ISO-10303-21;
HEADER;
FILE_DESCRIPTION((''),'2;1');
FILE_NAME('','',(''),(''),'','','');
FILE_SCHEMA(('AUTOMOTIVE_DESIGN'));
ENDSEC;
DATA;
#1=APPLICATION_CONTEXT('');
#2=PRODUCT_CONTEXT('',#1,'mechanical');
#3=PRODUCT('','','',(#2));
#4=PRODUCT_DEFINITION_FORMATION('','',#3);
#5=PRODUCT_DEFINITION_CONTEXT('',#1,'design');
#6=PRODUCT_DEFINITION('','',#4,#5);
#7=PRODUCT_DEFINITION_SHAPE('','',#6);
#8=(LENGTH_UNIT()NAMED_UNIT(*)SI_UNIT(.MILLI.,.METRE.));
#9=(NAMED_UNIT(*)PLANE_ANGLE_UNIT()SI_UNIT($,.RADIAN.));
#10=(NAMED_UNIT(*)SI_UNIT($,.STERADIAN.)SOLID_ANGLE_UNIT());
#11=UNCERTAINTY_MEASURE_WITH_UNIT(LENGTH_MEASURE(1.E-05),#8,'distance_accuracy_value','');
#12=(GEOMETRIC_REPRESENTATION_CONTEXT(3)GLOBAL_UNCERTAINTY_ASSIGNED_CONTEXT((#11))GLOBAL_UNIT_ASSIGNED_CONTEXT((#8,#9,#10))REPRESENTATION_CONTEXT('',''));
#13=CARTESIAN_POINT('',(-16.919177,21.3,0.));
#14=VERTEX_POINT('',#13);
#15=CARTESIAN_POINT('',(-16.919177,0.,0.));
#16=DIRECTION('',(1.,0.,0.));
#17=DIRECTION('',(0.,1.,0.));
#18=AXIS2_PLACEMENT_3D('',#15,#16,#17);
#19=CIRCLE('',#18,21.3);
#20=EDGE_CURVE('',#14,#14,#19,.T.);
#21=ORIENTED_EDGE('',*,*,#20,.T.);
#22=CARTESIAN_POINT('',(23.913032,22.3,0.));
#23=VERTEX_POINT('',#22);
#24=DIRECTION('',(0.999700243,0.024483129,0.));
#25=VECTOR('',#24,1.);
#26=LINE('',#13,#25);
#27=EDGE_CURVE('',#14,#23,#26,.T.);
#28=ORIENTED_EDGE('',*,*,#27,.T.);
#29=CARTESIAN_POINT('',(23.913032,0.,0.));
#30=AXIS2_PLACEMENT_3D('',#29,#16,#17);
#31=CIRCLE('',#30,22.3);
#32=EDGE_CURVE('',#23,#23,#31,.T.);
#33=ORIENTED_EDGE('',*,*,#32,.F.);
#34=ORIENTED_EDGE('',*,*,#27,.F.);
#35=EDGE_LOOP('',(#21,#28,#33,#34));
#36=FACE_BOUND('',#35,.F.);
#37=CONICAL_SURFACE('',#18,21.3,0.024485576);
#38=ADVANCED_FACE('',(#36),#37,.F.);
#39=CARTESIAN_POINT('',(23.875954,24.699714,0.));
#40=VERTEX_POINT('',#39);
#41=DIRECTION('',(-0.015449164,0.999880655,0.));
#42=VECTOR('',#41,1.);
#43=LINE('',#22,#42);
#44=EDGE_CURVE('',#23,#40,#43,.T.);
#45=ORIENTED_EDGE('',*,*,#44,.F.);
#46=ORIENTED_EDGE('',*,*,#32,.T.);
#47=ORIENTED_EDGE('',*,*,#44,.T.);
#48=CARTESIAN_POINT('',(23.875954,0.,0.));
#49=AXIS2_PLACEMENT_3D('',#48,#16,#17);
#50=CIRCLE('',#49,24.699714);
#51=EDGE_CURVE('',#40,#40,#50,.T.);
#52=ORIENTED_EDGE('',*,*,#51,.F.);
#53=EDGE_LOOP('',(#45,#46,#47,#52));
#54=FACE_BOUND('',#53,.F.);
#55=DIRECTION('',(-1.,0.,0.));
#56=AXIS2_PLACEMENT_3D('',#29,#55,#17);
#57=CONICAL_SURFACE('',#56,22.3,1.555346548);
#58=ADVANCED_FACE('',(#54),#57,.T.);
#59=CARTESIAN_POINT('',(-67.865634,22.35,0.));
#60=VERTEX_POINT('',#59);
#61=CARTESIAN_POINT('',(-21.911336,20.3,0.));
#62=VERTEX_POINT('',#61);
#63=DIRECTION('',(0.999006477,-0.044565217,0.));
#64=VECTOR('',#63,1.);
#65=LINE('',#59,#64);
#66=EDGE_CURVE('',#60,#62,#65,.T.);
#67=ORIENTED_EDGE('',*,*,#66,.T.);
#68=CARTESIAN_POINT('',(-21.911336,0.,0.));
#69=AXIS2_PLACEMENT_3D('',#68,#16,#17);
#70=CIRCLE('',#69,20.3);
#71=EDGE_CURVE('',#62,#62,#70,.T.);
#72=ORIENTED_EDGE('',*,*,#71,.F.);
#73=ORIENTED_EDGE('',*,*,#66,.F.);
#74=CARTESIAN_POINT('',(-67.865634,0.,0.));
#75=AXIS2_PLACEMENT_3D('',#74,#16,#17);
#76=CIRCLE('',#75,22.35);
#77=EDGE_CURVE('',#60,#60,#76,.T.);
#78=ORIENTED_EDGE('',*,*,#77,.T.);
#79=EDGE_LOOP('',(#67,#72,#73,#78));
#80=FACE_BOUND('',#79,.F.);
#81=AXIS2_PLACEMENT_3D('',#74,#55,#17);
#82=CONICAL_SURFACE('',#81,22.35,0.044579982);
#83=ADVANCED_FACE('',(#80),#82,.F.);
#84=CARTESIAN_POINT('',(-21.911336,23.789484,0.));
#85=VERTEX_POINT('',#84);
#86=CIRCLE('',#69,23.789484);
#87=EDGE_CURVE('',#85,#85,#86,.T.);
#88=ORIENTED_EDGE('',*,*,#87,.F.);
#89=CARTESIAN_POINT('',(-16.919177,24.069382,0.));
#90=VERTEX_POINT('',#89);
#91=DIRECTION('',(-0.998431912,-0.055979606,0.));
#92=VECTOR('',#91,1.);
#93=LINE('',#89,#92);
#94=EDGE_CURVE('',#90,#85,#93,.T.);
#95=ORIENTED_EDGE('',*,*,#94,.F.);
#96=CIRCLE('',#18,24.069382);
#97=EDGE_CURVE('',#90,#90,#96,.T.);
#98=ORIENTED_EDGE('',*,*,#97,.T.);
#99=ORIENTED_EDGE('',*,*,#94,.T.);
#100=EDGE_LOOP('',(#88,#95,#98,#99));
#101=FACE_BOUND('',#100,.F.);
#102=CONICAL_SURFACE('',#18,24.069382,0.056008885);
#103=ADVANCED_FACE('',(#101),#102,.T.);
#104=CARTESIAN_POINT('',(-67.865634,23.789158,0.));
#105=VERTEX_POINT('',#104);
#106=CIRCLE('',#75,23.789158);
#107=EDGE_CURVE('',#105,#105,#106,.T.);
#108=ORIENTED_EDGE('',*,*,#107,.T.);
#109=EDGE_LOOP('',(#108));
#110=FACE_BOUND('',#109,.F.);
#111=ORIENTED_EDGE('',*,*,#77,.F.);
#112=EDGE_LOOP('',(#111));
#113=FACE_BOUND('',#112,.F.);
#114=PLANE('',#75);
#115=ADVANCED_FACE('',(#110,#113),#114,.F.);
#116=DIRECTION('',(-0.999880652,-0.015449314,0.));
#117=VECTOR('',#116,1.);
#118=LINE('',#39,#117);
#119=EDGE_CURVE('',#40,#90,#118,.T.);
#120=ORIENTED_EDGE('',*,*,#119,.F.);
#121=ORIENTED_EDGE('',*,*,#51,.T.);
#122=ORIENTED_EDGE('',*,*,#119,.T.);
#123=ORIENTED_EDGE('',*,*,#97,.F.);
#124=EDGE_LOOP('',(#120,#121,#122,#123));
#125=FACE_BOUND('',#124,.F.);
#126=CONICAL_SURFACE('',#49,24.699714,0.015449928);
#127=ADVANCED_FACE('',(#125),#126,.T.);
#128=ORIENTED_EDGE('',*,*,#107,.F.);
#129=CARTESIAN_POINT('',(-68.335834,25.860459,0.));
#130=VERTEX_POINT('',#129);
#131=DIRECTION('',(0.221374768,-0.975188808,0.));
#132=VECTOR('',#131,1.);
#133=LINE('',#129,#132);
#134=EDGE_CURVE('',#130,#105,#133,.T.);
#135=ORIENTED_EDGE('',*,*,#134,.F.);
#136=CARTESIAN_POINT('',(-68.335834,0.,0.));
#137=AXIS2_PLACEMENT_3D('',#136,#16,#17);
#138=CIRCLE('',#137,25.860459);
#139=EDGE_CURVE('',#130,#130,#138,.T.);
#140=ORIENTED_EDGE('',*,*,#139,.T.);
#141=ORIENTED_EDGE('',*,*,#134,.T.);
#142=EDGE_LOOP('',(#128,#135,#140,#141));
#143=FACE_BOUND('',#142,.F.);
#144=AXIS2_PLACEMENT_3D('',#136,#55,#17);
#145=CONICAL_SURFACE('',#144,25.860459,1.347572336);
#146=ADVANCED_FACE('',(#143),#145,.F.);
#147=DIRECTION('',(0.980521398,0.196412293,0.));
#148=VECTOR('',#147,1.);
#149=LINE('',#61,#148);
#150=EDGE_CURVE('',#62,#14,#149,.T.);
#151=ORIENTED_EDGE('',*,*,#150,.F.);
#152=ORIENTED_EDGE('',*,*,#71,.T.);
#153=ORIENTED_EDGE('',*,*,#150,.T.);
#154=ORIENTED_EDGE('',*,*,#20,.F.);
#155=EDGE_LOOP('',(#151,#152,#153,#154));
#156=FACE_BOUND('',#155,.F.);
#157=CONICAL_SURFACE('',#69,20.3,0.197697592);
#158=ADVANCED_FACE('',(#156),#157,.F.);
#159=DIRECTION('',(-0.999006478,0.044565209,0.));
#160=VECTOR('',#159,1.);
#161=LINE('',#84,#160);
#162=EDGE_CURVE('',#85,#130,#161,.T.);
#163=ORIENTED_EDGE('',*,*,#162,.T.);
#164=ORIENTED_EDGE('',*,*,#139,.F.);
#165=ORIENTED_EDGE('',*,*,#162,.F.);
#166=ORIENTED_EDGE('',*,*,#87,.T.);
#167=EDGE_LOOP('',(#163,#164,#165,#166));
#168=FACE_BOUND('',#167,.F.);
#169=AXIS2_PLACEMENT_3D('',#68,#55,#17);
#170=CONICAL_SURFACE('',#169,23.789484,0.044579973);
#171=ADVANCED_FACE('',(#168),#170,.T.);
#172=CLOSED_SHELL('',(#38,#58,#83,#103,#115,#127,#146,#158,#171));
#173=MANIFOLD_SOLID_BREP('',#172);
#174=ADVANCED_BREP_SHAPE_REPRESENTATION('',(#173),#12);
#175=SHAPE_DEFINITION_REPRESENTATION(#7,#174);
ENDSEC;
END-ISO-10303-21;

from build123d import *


with BuildPart() as f1:
    # F0 (on Top) → F1 (revolve)
    with BuildSketch(Plane.XY):
        Polygon((-21.911336, 20.3), (-16.919177, 21.3), (23.913032, 22.3), (23.875954, 24.699714), (-16.919177, 24.069382), (-21.911336, 23.789484), (-68.335834, 25.860459), (-67.865634, 23.789158), (-67.865634, 22.35), align=None)
    revolve(axis=Axis((-2.12107, 0, 0), (1, 0, 0)))


solid = f1.part
